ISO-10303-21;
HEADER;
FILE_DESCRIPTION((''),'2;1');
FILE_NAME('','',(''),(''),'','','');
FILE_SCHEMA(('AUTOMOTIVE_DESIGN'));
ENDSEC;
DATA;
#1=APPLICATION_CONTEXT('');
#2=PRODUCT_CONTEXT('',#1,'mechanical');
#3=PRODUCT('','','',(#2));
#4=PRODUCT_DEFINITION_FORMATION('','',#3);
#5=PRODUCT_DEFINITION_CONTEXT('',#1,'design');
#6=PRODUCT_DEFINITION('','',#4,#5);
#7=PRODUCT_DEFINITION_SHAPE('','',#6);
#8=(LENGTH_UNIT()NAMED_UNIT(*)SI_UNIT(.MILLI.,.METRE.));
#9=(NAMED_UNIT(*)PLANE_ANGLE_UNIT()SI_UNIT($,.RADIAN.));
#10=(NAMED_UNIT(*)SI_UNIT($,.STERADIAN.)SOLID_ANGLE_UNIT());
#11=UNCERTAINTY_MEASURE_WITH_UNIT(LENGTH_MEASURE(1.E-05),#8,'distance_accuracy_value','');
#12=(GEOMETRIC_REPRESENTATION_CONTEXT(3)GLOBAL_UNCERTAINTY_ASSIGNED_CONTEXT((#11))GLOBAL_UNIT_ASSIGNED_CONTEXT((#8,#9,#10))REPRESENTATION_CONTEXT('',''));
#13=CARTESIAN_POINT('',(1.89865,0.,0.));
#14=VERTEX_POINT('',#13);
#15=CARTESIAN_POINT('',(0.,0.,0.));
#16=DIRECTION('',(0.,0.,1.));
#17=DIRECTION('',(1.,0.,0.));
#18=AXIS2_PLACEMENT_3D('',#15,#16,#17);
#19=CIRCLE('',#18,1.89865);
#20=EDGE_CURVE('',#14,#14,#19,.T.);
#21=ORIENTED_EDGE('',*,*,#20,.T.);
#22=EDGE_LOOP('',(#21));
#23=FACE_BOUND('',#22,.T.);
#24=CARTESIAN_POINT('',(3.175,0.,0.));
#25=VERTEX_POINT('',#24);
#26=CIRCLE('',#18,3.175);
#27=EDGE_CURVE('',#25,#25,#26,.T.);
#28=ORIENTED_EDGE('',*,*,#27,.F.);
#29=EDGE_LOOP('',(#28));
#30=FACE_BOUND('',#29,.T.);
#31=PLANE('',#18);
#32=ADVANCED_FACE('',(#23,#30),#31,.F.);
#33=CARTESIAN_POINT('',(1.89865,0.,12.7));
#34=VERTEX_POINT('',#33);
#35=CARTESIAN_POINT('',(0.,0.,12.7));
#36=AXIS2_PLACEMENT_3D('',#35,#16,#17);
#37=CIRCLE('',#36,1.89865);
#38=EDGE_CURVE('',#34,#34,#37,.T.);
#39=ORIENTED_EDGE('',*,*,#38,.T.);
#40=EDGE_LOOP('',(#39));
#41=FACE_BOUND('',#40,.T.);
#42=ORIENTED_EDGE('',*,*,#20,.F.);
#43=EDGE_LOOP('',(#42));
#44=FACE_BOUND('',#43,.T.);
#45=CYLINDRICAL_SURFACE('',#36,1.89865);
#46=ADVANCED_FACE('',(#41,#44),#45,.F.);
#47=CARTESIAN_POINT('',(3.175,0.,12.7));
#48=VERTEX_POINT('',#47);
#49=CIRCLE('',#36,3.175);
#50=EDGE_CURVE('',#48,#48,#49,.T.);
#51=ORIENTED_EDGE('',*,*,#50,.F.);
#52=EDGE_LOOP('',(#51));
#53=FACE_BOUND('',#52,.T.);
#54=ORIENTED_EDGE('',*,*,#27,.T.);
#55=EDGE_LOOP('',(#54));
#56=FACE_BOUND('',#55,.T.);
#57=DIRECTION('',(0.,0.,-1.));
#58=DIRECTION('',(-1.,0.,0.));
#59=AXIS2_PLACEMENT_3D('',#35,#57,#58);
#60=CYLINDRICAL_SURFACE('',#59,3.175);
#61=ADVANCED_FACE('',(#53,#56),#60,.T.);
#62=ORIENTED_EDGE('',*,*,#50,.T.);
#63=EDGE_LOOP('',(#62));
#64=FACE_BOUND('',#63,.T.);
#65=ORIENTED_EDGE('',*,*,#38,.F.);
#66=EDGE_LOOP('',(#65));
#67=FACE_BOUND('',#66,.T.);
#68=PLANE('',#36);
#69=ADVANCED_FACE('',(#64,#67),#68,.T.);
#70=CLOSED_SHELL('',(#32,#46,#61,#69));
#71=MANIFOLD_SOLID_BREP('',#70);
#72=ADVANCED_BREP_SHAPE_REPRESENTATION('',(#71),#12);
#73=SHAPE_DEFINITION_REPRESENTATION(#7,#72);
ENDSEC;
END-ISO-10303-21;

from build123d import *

# Parameters (mm, degrees)
SKETCH1_R             = 3.175
BOSS_EXTRUDE1_DEPTH   = 12.7
F_6_CLEARANCE_HOLE1_D = 3.7973


with BuildPart() as part:
    # Sketch1 → Boss-Extrude1 (new body)
    with BuildSketch(Plane.XY):
        Circle(SKETCH1_R)
    extrude(amount=BOSS_EXTRUDE1_DEPTH)

    # #6 Clearance Hole1 (through all)
    with Locations(Plane.XY.offset(12.7)):
        with Locations((0, 0)):
            Hole(F_6_CLEARANCE_HOLE1_D / 2)


solid = part.part
